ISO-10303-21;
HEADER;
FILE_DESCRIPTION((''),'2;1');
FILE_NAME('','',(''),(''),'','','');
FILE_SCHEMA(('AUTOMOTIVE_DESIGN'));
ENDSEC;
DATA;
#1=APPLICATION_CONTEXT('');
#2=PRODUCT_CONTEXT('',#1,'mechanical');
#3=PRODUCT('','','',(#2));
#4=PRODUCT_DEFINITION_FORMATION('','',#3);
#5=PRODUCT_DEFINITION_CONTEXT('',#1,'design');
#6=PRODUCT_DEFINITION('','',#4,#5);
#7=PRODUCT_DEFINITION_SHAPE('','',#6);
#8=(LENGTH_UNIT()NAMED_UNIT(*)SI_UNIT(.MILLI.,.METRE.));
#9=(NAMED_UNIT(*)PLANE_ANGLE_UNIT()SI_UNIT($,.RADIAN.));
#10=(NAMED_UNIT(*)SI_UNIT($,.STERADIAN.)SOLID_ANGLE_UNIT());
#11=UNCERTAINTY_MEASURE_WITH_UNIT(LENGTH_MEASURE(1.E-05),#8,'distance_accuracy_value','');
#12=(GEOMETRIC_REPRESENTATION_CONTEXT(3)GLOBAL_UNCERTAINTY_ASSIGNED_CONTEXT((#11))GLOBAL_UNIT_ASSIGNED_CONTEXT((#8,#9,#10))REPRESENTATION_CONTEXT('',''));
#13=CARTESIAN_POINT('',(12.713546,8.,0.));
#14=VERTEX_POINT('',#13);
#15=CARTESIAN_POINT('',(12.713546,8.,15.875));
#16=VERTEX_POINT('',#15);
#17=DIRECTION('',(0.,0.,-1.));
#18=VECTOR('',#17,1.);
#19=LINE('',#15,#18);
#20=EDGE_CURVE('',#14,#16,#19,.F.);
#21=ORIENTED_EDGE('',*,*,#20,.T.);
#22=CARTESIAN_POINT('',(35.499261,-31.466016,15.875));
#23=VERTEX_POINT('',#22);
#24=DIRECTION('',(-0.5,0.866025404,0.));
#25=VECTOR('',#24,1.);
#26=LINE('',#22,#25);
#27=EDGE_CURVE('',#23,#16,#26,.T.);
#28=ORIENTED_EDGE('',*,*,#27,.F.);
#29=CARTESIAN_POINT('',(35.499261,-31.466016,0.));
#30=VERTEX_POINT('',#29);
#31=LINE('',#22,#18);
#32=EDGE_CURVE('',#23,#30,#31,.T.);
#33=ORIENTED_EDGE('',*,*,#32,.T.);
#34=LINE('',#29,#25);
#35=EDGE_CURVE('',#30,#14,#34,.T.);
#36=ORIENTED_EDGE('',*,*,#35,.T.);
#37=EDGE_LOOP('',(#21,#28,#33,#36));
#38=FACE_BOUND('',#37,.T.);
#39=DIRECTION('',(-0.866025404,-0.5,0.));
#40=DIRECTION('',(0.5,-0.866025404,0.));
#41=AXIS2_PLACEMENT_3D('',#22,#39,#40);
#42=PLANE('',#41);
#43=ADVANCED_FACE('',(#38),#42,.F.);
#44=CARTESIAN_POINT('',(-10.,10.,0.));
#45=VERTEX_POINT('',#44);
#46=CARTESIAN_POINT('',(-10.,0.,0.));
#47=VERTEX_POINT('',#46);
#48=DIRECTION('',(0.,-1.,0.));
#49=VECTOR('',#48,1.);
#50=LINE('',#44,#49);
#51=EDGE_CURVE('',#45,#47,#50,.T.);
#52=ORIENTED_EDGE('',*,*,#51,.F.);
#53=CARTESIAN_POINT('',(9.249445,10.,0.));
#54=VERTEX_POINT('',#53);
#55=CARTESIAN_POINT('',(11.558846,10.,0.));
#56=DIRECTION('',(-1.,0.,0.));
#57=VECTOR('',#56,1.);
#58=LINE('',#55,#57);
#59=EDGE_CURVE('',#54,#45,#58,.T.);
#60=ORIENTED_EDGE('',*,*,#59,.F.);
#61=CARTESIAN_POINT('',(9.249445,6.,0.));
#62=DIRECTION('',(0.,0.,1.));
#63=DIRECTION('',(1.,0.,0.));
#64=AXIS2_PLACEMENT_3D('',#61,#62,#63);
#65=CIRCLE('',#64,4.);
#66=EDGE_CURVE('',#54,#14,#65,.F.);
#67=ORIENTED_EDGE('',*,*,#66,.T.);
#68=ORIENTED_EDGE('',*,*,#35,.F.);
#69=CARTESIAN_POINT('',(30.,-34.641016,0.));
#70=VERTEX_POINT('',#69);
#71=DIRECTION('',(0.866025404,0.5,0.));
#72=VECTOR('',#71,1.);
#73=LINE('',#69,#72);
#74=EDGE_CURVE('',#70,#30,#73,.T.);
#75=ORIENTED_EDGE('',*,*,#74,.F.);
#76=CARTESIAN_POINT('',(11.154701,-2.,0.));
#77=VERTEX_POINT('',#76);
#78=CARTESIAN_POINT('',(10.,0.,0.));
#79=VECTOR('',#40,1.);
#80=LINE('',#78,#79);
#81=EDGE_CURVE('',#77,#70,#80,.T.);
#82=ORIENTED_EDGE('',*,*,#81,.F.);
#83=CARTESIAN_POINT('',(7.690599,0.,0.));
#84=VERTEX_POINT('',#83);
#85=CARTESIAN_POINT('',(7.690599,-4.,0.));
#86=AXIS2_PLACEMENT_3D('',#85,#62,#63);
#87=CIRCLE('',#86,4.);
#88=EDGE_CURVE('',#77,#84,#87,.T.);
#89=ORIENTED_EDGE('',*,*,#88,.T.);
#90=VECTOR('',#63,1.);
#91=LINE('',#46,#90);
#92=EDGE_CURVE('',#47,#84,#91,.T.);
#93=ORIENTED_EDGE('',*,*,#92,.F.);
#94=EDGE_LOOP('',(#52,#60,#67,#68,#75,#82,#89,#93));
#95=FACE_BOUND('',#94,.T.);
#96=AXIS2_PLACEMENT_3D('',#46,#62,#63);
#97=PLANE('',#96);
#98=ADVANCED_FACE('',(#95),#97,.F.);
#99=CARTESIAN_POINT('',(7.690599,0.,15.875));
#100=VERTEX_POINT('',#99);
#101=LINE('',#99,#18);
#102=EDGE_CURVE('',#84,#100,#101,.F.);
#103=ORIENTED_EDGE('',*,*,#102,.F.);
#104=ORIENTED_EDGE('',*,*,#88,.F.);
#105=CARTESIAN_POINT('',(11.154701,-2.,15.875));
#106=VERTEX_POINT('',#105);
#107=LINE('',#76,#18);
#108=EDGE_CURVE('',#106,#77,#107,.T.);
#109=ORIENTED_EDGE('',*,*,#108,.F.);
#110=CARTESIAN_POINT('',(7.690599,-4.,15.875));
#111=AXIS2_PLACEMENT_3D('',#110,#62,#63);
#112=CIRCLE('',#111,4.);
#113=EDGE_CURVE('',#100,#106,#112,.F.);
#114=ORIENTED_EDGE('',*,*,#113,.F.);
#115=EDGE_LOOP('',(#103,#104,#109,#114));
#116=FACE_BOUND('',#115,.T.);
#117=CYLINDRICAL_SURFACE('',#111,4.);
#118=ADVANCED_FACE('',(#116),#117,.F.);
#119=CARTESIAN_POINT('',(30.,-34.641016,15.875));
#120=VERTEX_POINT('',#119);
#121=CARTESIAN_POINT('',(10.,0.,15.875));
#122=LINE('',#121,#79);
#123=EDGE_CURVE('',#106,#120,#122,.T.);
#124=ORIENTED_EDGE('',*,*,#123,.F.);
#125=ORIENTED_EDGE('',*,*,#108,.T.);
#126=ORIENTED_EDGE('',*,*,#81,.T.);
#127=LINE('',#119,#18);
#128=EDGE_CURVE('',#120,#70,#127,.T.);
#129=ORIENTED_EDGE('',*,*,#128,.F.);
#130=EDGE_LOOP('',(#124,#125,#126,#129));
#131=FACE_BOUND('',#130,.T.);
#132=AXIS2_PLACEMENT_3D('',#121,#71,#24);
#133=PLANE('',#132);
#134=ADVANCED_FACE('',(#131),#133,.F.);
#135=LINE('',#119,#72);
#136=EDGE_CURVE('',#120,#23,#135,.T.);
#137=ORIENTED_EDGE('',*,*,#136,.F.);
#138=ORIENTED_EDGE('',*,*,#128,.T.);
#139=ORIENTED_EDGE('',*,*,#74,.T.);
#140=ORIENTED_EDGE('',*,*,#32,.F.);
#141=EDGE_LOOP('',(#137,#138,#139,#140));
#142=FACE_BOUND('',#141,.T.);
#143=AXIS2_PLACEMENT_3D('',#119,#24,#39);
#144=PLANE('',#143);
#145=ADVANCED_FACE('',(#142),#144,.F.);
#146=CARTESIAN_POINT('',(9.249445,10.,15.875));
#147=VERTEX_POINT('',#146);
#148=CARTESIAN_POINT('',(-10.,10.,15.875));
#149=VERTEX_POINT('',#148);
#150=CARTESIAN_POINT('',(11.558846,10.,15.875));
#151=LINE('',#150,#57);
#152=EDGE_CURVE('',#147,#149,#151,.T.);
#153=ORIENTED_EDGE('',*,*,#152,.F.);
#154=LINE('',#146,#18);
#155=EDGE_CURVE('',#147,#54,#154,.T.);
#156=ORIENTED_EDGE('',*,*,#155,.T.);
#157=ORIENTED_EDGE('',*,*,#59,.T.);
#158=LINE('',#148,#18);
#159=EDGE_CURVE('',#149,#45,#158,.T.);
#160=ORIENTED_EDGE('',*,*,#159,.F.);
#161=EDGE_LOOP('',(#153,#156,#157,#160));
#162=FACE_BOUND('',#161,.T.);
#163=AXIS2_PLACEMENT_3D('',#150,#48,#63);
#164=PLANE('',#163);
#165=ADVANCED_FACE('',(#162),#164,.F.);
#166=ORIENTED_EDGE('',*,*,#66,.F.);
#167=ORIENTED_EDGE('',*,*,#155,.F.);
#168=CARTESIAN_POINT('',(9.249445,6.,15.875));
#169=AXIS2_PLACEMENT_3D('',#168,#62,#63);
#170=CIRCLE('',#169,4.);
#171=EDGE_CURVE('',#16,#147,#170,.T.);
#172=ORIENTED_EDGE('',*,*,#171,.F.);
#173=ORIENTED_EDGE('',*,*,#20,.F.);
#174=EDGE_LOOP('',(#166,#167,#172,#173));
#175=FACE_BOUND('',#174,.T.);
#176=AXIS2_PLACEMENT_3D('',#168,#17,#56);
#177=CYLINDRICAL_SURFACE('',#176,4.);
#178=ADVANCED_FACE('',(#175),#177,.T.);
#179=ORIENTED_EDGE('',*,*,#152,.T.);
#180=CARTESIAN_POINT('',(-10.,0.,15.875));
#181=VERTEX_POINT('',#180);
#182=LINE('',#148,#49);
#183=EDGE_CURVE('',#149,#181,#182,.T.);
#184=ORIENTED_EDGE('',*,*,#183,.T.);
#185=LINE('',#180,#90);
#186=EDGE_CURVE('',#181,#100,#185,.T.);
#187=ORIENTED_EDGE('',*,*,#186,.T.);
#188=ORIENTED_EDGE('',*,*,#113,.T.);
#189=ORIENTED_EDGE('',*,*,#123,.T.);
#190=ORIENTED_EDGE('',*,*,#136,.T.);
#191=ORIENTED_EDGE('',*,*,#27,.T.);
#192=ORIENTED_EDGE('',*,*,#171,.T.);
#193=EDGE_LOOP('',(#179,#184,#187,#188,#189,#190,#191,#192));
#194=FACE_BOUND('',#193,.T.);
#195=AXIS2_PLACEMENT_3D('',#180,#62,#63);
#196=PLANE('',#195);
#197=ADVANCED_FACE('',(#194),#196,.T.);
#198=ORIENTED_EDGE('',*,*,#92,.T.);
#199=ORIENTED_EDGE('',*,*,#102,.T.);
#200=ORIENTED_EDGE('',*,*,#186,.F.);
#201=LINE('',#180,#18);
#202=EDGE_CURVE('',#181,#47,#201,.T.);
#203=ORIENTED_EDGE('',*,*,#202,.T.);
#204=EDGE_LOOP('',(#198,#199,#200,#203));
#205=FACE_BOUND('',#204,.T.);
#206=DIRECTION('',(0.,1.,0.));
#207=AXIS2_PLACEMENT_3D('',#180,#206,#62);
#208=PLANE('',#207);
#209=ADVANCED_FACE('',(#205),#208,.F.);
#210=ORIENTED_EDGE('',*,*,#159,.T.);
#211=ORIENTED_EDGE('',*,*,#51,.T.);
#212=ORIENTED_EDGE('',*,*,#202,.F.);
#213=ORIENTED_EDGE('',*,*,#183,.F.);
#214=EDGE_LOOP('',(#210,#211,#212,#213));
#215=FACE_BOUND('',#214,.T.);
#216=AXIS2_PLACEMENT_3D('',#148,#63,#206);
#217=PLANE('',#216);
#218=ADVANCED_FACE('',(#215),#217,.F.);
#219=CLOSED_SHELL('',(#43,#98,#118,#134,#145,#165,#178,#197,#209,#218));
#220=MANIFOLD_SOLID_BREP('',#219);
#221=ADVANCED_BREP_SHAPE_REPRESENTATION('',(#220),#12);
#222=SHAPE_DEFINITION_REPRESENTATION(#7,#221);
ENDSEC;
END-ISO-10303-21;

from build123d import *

# Parameters (mm, degrees)
BOSS_EXTRUDE1_DEPTH = 15.875
FILLET1_R           = 4


with BuildPart() as part:
    # Sketch1 → Boss-Extrude1 (new body)
    with BuildSketch(Plane.XY):
        Polygon((-10, 0), (10, 0), (30, -34.641016151), (35.499261314, -31.466016151), (11.558845727, 10), (-10, 10), align=None)
    extrude(amount=BOSS_EXTRUDE1_DEPTH)

    # Fillet1
    fillet1_edges = [part.edges().sort_by_distance(p)[0] for p in [
        (11.558845727, 10, 7.9375),
        (10, 0, 7.9375),
    ]]
    fillet(fillet1_edges, radius=FILLET1_R)


solid = part.part
